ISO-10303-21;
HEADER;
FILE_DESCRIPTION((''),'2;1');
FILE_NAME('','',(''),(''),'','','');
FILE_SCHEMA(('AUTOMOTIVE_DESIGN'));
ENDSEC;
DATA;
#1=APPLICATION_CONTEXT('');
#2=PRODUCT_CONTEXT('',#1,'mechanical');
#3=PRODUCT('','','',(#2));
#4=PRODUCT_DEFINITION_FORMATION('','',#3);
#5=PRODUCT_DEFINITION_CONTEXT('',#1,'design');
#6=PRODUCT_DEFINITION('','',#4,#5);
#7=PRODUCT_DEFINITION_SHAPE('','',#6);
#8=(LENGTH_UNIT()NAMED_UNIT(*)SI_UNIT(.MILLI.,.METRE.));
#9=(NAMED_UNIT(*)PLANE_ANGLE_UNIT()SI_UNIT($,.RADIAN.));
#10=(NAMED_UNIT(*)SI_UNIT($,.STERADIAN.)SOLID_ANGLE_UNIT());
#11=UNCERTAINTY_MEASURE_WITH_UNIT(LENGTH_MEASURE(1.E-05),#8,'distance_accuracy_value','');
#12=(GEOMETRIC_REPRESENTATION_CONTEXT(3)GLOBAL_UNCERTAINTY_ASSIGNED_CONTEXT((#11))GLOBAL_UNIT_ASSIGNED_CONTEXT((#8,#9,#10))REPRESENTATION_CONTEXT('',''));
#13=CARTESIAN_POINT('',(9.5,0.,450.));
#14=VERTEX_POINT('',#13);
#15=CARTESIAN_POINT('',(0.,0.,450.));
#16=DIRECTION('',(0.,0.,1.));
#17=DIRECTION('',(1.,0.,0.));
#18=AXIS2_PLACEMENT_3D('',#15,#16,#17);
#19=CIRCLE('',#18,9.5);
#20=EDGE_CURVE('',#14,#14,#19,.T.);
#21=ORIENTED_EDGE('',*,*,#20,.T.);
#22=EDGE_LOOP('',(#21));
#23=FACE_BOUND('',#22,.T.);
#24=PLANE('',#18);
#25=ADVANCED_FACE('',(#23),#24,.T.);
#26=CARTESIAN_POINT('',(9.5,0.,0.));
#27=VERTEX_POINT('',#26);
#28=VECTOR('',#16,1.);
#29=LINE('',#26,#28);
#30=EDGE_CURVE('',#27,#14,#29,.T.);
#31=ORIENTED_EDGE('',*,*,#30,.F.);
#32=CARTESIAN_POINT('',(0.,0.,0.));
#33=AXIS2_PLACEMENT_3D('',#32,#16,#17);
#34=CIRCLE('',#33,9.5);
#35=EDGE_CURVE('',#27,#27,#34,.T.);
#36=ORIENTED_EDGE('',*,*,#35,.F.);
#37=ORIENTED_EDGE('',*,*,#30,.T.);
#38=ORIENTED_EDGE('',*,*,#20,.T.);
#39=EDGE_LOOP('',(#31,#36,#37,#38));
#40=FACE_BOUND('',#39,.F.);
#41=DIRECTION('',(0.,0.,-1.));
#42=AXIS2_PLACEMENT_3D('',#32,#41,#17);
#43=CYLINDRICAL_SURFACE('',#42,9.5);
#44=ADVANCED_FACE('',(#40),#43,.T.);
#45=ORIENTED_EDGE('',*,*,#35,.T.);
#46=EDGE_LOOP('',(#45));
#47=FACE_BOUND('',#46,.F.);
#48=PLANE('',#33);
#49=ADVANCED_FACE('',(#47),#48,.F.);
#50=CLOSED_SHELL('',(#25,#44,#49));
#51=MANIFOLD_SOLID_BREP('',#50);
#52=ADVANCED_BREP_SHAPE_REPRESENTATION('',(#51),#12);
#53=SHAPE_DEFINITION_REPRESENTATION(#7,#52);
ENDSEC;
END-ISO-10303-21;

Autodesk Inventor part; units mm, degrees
ref_plane "YZ Plane" through (0, 0, 0) normal (1, 0, 0) x (0, 1, 0)
ref_plane "XZ Plane" through (0, 0, 0) normal (0, 1, 0) x (-1, 0, 0)
ref_plane "XY Plane" through (0, 0, 0) normal (0, 0, 1) x (1, 0, 0)
sketch "Sketch1" plane through (0, 0, 0) normal (0, 0, 1) x (1, 0, 0)
  circle A0 centre (0, 0) radius 9.5
  dimension "d0" = 19
extrude "Extrusion1" add sketch "Sketch1" along normal blind 450
properties part number "Barra-garfo" material "Aluminium AW-7020"
